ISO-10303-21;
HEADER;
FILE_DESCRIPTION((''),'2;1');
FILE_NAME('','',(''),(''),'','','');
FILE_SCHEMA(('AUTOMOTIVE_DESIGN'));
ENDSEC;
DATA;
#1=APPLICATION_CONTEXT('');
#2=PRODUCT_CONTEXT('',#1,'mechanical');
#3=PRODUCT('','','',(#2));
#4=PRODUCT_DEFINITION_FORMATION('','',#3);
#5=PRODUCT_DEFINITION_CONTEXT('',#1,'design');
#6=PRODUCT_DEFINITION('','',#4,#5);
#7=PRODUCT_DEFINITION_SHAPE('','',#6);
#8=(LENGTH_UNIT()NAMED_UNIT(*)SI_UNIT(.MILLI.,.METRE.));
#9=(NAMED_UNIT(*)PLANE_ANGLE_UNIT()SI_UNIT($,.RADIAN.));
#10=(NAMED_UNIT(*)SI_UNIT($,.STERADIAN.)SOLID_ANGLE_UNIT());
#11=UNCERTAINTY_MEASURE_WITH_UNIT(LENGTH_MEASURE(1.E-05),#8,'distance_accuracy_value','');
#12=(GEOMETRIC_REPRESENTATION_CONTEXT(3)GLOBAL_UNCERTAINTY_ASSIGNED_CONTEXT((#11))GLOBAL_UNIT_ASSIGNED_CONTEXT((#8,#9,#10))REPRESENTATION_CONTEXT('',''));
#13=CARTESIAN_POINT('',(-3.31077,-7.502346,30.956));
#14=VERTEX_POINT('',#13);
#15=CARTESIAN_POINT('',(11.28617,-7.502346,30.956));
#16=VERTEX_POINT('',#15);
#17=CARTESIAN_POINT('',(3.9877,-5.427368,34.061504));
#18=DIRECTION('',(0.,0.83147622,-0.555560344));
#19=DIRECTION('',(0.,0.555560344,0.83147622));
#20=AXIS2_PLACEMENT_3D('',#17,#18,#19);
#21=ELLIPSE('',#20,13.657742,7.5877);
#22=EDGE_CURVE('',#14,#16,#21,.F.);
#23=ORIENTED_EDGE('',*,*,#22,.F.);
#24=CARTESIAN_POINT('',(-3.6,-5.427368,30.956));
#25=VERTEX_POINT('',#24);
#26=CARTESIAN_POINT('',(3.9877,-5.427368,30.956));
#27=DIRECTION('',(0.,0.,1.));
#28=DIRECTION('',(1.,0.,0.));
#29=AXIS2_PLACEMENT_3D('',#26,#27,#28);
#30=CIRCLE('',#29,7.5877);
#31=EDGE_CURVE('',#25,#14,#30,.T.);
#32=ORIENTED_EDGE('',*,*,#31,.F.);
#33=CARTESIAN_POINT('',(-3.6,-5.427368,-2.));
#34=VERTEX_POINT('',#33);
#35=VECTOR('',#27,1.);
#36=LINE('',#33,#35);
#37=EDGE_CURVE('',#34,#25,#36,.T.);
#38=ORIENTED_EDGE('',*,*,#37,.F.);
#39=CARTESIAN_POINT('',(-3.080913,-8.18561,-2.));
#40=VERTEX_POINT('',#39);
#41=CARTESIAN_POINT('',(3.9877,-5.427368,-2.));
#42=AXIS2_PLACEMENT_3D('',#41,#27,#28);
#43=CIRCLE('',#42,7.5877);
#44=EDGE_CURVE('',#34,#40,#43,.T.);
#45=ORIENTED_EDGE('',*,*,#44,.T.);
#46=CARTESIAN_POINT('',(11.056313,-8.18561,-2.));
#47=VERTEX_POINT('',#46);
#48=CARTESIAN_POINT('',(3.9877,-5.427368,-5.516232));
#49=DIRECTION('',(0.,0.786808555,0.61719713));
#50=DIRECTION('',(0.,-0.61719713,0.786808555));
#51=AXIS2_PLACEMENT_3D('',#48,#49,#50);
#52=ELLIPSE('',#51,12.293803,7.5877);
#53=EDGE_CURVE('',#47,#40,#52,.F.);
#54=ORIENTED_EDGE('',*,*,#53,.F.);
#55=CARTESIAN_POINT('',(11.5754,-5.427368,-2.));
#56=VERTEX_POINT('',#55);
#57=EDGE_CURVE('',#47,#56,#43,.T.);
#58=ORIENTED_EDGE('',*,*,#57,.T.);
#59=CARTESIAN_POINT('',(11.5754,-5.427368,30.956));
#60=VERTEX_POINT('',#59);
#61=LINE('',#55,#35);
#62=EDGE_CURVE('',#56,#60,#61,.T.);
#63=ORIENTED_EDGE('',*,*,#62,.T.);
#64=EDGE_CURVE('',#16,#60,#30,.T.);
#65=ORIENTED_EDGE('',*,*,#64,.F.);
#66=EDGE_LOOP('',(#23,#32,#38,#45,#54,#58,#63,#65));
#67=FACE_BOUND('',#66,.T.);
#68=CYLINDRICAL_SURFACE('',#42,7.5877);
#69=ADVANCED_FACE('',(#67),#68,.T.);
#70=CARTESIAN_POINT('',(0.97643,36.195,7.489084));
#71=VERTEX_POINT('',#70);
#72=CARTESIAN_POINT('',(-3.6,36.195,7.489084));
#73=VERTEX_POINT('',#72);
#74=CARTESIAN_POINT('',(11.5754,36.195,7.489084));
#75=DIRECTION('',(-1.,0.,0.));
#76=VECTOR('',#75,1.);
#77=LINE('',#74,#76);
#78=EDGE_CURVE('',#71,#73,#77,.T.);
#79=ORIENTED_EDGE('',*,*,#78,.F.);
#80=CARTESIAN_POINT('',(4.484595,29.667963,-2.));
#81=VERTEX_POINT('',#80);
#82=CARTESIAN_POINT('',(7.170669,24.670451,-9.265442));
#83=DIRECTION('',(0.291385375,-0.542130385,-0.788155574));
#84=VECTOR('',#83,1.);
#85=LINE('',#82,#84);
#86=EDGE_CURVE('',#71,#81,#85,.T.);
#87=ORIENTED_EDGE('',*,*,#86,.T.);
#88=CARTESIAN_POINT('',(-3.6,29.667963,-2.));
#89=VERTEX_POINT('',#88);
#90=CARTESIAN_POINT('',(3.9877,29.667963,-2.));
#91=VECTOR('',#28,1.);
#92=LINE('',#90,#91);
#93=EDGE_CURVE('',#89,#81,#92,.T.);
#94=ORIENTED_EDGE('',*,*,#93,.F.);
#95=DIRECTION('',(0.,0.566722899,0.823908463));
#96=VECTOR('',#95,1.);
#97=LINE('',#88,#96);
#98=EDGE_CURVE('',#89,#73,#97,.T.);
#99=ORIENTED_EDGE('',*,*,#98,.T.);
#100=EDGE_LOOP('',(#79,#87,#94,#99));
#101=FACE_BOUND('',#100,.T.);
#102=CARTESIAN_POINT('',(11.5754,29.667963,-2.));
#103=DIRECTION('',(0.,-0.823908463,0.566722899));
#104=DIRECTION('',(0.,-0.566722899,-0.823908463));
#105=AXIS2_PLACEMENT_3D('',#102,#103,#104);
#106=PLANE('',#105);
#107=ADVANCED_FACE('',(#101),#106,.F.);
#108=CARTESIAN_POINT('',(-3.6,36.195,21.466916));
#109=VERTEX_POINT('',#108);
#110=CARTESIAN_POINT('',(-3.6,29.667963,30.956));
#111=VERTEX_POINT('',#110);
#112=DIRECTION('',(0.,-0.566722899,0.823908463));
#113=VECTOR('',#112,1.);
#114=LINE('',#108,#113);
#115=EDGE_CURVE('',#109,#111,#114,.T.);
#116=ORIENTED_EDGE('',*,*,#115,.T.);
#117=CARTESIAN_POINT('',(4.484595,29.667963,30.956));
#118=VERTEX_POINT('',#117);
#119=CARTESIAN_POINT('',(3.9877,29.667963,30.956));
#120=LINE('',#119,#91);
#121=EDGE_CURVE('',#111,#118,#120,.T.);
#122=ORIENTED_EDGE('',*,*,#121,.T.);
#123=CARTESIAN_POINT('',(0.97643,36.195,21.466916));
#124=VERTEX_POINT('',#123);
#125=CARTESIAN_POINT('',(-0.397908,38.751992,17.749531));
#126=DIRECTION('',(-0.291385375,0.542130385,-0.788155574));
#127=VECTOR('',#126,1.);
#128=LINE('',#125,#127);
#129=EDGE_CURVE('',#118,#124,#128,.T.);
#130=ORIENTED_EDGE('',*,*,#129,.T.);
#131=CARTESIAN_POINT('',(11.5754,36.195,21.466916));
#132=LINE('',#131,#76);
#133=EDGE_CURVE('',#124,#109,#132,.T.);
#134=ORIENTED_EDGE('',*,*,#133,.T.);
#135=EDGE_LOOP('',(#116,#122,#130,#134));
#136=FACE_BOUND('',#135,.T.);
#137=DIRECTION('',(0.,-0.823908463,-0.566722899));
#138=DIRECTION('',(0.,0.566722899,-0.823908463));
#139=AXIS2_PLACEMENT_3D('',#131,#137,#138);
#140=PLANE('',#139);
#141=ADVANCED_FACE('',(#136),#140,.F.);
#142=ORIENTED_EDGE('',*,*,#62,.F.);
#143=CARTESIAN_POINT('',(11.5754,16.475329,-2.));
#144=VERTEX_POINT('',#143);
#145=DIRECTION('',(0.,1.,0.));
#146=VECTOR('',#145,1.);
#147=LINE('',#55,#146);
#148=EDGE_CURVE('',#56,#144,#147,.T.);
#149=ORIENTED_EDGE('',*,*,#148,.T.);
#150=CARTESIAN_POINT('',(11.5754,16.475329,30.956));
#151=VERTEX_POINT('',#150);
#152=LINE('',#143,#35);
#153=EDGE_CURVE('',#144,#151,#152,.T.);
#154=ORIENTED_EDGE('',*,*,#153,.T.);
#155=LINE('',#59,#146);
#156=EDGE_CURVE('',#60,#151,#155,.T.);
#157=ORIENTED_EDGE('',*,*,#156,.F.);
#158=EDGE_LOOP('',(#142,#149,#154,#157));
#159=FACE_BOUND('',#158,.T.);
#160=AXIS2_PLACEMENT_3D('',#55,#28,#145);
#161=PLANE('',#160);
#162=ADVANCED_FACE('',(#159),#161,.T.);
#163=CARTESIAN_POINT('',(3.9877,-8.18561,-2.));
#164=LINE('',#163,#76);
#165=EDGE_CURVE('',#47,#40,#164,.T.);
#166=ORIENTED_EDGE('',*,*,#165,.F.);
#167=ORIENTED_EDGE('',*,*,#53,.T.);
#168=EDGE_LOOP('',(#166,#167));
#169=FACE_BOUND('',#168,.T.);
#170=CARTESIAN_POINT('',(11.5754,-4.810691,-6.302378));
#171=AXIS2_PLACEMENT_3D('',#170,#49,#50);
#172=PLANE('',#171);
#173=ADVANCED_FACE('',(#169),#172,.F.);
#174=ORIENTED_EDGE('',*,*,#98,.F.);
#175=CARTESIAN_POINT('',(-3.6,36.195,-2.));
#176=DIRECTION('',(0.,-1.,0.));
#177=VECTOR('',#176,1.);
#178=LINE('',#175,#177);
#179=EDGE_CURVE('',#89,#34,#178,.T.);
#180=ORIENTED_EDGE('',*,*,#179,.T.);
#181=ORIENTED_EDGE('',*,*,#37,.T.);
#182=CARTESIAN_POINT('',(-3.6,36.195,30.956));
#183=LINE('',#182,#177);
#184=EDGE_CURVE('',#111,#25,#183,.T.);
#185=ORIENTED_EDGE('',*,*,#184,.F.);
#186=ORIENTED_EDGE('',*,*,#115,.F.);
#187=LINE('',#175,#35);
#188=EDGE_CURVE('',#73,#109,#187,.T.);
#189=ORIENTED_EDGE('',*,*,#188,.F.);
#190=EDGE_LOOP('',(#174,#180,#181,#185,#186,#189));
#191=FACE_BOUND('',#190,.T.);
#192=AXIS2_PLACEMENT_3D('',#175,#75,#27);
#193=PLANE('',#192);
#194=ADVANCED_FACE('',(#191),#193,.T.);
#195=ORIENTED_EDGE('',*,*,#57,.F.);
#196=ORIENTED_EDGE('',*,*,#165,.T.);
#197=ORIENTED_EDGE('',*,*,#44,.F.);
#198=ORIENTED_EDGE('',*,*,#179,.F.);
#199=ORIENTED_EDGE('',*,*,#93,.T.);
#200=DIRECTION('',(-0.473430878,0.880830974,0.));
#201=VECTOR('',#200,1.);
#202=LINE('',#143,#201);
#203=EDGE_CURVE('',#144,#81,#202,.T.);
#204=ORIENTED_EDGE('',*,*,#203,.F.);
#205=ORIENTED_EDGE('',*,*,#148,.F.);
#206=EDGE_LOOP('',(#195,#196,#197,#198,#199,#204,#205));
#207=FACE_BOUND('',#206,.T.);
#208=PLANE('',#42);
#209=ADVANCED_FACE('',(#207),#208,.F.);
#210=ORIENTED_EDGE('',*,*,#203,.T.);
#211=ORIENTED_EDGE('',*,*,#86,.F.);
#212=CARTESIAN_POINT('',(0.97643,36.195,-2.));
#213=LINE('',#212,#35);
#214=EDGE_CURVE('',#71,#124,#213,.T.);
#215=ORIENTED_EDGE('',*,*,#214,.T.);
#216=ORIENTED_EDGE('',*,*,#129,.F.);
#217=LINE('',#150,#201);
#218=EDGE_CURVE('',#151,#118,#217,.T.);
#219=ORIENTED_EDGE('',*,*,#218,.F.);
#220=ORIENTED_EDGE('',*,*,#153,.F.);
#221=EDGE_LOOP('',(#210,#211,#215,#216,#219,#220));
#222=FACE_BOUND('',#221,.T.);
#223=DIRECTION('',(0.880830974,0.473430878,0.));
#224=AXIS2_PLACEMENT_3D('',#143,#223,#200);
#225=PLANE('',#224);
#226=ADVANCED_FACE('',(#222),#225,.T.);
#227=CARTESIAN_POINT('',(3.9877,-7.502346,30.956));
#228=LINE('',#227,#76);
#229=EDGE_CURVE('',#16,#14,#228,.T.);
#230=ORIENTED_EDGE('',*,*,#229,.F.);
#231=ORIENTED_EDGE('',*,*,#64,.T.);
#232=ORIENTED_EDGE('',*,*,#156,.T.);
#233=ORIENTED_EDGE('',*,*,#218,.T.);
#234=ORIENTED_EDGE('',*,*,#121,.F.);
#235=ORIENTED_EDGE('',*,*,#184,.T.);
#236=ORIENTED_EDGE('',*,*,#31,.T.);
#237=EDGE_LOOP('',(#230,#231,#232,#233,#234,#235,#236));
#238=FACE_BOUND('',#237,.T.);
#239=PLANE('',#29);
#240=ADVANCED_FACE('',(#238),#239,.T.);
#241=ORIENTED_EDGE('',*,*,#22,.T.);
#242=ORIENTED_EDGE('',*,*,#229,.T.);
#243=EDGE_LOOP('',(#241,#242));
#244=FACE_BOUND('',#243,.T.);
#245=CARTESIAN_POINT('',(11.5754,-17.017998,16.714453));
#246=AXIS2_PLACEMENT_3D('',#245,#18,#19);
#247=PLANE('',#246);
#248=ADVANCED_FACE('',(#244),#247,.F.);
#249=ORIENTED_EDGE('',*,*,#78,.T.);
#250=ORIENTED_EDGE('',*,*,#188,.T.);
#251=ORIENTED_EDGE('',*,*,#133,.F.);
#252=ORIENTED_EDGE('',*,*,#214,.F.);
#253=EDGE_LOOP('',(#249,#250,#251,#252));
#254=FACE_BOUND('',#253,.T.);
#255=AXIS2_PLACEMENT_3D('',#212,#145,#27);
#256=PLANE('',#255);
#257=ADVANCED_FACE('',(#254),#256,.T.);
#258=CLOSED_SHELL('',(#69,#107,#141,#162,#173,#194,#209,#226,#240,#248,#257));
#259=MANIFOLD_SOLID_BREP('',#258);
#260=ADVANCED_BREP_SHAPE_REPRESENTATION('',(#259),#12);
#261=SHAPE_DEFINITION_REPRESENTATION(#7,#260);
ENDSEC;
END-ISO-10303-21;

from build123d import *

# Parameters (mm, degrees)
BOSS_EXTRUDE1_DEPTH      = 30.956
BOSS_EXTRUDE1_DEPTH_BACK = 2
CUT_EXTRUDE1_DEPTH       = 50.013690395
CUT_EXTRUDE1_DEPTH_BACK  = 50.013690395


with BuildPart() as part:
    # Sketch1 → Boss-Extrude1 (new, two sides: drawn at the far end of the back side and taken through both)
    with BuildSketch(Plane.XY.offset(-BOSS_EXTRUDE1_DEPTH_BACK)):
        with BuildLine():
            Line((-3.6, 36.195), (-3.6, -5.427367667))
            ThreePointArc((-3.6, -5.427367667), (3.9877, -13.015067667), (11.5754, -5.427367667))
            Line((11.5754, -5.427367667), (11.5754, 16.475329119))
            Line((11.5754, 16.475329119), (0.976429971, 36.195))
            Line((0.976429971, 36.195), (-3.6, 36.195))
        make_face()
    extrude(amount=BOSS_EXTRUDE1_DEPTH + BOSS_EXTRUDE1_DEPTH_BACK)

    # Sketch2 → Cut-Extrude1 (cut, two sides: drawn at the far end of the back side and taken through both)
    with BuildSketch(Plane.ZY.offset(-CUT_EXTRUDE1_DEPTH_BACK)):
        Polygon((-2, 29.667962996), (7.4890837, 36.195), (21.4669163, 36.195), (30.956, 29.667962996), (30.956, 40.573926282), (-2, 40.573926282), align=None)
        Polygon((-6.302377798, -4.81069075), (9.259609163, -17.017997888), (16.714453216, -17.017997888), (37.494831014, -3.133350838), (37.494831014, -21.39692417), (-6.302377798, -21.39692417), align=None)
    extrude(amount=CUT_EXTRUDE1_DEPTH + CUT_EXTRUDE1_DEPTH_BACK, mode=Mode.SUBTRACT)


solid = part.part
